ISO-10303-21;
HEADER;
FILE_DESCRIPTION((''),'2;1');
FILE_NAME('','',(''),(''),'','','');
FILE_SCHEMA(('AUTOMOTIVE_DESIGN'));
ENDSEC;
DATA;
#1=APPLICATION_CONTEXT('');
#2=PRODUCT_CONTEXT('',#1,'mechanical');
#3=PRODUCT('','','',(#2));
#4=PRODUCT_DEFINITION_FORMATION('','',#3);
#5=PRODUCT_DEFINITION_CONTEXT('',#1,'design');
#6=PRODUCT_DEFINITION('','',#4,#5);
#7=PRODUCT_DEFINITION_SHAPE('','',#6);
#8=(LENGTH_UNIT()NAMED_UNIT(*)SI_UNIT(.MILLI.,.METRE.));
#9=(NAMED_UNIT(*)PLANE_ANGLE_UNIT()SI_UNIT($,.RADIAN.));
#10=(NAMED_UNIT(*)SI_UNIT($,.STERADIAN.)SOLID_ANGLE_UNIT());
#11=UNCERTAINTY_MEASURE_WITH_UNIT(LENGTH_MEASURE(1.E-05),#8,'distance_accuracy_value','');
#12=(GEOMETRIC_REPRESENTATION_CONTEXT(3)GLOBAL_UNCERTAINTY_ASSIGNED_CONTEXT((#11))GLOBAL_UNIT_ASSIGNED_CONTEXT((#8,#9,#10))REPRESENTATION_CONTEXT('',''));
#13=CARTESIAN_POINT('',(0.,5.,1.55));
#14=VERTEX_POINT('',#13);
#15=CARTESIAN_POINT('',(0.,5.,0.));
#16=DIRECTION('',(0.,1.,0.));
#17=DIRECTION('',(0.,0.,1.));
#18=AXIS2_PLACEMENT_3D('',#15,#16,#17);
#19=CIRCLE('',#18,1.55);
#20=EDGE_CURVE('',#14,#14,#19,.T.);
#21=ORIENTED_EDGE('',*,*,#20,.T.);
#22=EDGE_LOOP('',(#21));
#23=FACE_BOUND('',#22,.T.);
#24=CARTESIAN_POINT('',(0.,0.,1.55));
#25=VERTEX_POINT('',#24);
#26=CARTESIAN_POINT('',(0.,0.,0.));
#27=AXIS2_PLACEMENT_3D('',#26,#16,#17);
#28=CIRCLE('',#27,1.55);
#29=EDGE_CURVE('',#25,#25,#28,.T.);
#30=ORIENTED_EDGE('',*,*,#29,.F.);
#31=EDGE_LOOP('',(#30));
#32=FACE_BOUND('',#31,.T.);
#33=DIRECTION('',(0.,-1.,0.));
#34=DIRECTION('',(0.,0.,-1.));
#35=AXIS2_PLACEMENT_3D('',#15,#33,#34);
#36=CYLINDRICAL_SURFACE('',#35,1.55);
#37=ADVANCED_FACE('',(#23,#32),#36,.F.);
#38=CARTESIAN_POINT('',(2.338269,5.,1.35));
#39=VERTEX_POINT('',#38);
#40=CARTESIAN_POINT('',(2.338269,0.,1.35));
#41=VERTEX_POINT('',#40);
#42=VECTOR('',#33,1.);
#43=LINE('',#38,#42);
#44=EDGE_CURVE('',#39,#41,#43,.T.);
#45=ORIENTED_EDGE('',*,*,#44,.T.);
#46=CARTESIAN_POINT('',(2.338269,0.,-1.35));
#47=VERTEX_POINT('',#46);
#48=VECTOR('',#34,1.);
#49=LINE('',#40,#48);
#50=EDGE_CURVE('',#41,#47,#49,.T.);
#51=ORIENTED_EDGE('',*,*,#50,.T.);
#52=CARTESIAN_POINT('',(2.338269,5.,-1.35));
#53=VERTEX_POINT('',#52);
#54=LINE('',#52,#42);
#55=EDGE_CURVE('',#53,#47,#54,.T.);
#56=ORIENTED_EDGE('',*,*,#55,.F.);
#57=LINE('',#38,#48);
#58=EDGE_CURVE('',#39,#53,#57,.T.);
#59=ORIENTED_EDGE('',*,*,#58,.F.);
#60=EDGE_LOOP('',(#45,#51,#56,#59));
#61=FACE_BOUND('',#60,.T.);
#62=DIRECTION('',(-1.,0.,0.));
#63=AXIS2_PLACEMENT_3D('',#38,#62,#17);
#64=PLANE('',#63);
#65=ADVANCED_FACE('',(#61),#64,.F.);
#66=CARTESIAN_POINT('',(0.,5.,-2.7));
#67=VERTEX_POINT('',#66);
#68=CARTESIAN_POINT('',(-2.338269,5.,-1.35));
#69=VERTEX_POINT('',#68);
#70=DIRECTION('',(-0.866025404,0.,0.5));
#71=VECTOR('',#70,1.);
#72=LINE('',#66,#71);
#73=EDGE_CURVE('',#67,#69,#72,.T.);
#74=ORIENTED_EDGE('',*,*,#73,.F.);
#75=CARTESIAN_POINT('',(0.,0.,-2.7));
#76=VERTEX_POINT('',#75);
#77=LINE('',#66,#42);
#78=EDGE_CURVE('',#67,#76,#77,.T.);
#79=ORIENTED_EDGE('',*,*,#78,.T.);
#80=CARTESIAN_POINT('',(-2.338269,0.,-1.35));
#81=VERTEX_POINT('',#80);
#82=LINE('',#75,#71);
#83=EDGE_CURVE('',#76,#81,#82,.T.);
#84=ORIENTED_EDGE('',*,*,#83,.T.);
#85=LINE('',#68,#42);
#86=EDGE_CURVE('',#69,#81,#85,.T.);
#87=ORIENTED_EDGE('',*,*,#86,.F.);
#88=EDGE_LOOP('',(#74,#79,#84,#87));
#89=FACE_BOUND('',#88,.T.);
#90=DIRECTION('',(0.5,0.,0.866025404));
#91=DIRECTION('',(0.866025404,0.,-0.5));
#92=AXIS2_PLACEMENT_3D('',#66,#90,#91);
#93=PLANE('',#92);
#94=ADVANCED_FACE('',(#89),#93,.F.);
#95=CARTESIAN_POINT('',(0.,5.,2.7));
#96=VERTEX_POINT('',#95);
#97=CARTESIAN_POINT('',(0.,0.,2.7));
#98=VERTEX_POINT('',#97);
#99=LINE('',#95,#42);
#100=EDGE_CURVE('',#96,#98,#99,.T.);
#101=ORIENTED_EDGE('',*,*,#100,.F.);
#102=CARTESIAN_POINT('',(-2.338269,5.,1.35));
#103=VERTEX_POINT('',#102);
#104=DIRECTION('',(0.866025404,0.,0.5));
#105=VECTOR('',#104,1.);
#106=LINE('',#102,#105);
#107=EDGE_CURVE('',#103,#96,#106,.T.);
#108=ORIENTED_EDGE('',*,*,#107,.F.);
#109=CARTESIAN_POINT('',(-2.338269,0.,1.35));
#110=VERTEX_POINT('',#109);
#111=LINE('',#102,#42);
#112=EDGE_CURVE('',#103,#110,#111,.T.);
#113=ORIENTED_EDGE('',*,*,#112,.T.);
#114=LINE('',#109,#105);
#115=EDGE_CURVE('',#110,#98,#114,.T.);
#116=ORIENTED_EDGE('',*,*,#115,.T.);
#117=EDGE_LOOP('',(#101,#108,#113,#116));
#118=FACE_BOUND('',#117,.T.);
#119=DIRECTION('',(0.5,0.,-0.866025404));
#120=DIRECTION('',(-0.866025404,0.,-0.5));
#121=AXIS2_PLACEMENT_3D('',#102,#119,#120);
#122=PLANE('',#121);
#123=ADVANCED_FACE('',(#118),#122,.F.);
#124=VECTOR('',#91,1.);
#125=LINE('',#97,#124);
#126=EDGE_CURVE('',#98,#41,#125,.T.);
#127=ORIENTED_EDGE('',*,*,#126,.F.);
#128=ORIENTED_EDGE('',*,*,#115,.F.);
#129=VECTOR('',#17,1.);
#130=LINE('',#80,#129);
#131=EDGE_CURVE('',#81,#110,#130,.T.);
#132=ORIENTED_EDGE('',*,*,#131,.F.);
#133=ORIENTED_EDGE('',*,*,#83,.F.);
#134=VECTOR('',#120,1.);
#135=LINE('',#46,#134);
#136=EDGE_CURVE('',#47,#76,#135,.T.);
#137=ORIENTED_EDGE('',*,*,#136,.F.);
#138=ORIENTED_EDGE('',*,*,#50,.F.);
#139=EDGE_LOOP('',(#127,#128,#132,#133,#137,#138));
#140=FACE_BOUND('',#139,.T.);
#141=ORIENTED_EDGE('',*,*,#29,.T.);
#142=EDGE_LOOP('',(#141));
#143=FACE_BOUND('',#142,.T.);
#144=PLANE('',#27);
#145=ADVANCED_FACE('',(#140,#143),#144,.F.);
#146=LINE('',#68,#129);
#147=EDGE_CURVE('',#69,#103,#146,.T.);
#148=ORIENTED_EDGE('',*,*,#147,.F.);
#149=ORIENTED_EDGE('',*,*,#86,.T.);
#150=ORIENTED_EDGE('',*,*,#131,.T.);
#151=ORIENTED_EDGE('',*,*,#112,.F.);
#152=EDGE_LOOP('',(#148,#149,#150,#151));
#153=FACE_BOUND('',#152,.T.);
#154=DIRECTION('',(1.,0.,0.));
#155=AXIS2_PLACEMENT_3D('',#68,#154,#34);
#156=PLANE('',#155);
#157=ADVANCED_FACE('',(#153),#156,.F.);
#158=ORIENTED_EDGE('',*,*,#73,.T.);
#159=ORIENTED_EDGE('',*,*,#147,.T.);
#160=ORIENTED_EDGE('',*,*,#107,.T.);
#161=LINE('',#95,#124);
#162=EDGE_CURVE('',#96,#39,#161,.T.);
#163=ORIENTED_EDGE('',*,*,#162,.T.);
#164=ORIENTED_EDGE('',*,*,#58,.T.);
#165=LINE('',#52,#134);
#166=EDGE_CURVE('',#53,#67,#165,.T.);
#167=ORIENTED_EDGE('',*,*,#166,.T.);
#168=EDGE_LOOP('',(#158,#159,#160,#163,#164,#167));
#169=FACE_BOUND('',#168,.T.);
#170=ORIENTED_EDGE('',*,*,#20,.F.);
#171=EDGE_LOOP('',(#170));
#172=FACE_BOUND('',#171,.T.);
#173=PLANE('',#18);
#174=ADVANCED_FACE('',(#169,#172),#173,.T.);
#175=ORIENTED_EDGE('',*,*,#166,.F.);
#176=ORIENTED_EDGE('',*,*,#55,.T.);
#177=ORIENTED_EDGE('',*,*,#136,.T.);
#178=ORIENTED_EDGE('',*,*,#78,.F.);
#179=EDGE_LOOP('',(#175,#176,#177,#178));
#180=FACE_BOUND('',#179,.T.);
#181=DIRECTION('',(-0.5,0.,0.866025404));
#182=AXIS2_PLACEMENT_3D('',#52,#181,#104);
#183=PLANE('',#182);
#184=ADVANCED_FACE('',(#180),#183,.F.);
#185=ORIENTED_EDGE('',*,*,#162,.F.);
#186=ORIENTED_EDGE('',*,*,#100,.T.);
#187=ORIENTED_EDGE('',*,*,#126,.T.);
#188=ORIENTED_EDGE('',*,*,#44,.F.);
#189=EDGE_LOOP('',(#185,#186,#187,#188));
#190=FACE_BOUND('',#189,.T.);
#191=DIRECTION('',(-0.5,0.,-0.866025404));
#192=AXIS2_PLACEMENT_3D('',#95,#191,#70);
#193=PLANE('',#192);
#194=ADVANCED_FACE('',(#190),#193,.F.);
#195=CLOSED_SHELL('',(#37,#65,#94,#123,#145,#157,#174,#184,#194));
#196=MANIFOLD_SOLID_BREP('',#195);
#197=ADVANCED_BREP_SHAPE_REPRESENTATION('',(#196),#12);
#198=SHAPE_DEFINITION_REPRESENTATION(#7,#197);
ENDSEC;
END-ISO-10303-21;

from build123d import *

# Parameters (mm, degrees)
SKETCH_1_R      = 1.55
EXTRUDE_1_DEPTH = 5


with BuildPart() as part:
    # 草图1 → 凸台-拉伸1 (new body)
    with BuildSketch(Plane(origin=(0, 0, 0), x_dir=(1, 0, 0), z_dir=(0, 1, 0))):
        Polygon((0, 2.7), (-2.33826859, 1.35), (-2.33826859, -1.35), (0, -2.7), (2.33826859, -1.35), (2.33826859, 1.35), align=None)
        with Locations(Location((0, 0, 0), (0, 0, 270))):
            Circle(SKETCH_1_R, mode=Mode.SUBTRACT)
    extrude(amount=EXTRUDE_1_DEPTH)


solid = part.part
